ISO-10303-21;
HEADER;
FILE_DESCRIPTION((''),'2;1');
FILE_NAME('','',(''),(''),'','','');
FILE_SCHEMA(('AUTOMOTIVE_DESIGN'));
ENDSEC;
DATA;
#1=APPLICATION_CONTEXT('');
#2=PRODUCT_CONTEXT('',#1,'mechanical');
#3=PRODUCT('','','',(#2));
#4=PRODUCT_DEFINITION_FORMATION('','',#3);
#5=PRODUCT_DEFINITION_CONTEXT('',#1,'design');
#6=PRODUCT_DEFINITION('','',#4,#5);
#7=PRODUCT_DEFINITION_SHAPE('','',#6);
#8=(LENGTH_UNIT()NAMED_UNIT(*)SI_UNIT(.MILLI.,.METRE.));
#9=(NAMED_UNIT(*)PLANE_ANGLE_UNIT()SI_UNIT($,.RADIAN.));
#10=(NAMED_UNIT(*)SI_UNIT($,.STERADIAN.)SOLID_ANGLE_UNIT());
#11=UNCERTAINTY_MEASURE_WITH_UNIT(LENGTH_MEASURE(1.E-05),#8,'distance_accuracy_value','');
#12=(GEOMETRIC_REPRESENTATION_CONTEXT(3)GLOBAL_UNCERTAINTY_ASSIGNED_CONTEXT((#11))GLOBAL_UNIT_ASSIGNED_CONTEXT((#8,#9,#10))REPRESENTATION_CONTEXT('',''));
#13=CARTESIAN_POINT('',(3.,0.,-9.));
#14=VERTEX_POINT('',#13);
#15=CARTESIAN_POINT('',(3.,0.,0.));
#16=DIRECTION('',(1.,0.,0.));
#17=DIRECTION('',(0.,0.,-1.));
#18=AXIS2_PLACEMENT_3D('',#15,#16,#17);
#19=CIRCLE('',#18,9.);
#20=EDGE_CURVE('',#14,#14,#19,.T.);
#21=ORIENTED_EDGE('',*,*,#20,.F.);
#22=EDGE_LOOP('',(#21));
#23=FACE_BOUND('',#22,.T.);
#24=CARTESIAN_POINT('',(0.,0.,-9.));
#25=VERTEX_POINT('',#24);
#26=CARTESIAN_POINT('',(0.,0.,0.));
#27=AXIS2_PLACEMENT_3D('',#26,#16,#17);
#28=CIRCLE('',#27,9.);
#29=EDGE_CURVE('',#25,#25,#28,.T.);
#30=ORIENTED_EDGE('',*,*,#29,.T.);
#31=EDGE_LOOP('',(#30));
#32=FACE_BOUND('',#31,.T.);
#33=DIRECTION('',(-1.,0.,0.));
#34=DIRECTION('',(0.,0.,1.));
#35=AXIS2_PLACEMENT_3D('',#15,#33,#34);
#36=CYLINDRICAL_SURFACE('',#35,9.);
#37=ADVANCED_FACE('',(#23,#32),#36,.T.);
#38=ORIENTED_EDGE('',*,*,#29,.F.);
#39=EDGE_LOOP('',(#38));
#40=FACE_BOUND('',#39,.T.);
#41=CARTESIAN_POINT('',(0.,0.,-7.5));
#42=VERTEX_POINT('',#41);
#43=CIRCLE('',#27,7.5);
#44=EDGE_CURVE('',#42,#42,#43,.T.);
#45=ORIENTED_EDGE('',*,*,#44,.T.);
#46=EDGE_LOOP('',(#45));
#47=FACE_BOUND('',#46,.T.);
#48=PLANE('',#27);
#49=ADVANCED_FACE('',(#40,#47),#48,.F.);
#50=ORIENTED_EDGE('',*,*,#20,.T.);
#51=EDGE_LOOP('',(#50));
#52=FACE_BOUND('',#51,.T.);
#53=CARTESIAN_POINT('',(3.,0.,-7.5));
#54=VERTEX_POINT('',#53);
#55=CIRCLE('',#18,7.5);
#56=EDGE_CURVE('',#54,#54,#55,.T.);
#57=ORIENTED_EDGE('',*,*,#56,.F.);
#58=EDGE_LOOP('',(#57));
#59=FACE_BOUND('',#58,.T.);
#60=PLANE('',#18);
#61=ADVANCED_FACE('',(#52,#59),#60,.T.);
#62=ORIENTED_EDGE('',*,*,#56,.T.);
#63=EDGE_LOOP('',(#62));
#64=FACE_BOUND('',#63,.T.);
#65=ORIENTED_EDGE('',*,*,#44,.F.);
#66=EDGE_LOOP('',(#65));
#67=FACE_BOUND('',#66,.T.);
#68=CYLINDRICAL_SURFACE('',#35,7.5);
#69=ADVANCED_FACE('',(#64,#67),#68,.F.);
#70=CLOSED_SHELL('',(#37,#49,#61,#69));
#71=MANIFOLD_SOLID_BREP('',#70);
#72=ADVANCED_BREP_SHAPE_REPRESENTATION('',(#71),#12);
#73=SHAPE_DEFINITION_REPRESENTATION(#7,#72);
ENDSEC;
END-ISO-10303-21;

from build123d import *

# Parameters (mm, degrees)
SKETCH_1_R      = 9
SKETCH_1_R_2    = 7.5
EXTRUDE_1_DEPTH = 3


with BuildPart() as part:
    # Эскиз1 → Бобышка-Вытянуть1 (new body)
    with BuildSketch(Plane(origin=(0, 0, 0), x_dir=(0, 0, -1), z_dir=(1, 0, 0))):
        Circle(SKETCH_1_R)
        Circle(SKETCH_1_R_2, mode=Mode.SUBTRACT)
    extrude(amount=EXTRUDE_1_DEPTH)


solid = part.part
